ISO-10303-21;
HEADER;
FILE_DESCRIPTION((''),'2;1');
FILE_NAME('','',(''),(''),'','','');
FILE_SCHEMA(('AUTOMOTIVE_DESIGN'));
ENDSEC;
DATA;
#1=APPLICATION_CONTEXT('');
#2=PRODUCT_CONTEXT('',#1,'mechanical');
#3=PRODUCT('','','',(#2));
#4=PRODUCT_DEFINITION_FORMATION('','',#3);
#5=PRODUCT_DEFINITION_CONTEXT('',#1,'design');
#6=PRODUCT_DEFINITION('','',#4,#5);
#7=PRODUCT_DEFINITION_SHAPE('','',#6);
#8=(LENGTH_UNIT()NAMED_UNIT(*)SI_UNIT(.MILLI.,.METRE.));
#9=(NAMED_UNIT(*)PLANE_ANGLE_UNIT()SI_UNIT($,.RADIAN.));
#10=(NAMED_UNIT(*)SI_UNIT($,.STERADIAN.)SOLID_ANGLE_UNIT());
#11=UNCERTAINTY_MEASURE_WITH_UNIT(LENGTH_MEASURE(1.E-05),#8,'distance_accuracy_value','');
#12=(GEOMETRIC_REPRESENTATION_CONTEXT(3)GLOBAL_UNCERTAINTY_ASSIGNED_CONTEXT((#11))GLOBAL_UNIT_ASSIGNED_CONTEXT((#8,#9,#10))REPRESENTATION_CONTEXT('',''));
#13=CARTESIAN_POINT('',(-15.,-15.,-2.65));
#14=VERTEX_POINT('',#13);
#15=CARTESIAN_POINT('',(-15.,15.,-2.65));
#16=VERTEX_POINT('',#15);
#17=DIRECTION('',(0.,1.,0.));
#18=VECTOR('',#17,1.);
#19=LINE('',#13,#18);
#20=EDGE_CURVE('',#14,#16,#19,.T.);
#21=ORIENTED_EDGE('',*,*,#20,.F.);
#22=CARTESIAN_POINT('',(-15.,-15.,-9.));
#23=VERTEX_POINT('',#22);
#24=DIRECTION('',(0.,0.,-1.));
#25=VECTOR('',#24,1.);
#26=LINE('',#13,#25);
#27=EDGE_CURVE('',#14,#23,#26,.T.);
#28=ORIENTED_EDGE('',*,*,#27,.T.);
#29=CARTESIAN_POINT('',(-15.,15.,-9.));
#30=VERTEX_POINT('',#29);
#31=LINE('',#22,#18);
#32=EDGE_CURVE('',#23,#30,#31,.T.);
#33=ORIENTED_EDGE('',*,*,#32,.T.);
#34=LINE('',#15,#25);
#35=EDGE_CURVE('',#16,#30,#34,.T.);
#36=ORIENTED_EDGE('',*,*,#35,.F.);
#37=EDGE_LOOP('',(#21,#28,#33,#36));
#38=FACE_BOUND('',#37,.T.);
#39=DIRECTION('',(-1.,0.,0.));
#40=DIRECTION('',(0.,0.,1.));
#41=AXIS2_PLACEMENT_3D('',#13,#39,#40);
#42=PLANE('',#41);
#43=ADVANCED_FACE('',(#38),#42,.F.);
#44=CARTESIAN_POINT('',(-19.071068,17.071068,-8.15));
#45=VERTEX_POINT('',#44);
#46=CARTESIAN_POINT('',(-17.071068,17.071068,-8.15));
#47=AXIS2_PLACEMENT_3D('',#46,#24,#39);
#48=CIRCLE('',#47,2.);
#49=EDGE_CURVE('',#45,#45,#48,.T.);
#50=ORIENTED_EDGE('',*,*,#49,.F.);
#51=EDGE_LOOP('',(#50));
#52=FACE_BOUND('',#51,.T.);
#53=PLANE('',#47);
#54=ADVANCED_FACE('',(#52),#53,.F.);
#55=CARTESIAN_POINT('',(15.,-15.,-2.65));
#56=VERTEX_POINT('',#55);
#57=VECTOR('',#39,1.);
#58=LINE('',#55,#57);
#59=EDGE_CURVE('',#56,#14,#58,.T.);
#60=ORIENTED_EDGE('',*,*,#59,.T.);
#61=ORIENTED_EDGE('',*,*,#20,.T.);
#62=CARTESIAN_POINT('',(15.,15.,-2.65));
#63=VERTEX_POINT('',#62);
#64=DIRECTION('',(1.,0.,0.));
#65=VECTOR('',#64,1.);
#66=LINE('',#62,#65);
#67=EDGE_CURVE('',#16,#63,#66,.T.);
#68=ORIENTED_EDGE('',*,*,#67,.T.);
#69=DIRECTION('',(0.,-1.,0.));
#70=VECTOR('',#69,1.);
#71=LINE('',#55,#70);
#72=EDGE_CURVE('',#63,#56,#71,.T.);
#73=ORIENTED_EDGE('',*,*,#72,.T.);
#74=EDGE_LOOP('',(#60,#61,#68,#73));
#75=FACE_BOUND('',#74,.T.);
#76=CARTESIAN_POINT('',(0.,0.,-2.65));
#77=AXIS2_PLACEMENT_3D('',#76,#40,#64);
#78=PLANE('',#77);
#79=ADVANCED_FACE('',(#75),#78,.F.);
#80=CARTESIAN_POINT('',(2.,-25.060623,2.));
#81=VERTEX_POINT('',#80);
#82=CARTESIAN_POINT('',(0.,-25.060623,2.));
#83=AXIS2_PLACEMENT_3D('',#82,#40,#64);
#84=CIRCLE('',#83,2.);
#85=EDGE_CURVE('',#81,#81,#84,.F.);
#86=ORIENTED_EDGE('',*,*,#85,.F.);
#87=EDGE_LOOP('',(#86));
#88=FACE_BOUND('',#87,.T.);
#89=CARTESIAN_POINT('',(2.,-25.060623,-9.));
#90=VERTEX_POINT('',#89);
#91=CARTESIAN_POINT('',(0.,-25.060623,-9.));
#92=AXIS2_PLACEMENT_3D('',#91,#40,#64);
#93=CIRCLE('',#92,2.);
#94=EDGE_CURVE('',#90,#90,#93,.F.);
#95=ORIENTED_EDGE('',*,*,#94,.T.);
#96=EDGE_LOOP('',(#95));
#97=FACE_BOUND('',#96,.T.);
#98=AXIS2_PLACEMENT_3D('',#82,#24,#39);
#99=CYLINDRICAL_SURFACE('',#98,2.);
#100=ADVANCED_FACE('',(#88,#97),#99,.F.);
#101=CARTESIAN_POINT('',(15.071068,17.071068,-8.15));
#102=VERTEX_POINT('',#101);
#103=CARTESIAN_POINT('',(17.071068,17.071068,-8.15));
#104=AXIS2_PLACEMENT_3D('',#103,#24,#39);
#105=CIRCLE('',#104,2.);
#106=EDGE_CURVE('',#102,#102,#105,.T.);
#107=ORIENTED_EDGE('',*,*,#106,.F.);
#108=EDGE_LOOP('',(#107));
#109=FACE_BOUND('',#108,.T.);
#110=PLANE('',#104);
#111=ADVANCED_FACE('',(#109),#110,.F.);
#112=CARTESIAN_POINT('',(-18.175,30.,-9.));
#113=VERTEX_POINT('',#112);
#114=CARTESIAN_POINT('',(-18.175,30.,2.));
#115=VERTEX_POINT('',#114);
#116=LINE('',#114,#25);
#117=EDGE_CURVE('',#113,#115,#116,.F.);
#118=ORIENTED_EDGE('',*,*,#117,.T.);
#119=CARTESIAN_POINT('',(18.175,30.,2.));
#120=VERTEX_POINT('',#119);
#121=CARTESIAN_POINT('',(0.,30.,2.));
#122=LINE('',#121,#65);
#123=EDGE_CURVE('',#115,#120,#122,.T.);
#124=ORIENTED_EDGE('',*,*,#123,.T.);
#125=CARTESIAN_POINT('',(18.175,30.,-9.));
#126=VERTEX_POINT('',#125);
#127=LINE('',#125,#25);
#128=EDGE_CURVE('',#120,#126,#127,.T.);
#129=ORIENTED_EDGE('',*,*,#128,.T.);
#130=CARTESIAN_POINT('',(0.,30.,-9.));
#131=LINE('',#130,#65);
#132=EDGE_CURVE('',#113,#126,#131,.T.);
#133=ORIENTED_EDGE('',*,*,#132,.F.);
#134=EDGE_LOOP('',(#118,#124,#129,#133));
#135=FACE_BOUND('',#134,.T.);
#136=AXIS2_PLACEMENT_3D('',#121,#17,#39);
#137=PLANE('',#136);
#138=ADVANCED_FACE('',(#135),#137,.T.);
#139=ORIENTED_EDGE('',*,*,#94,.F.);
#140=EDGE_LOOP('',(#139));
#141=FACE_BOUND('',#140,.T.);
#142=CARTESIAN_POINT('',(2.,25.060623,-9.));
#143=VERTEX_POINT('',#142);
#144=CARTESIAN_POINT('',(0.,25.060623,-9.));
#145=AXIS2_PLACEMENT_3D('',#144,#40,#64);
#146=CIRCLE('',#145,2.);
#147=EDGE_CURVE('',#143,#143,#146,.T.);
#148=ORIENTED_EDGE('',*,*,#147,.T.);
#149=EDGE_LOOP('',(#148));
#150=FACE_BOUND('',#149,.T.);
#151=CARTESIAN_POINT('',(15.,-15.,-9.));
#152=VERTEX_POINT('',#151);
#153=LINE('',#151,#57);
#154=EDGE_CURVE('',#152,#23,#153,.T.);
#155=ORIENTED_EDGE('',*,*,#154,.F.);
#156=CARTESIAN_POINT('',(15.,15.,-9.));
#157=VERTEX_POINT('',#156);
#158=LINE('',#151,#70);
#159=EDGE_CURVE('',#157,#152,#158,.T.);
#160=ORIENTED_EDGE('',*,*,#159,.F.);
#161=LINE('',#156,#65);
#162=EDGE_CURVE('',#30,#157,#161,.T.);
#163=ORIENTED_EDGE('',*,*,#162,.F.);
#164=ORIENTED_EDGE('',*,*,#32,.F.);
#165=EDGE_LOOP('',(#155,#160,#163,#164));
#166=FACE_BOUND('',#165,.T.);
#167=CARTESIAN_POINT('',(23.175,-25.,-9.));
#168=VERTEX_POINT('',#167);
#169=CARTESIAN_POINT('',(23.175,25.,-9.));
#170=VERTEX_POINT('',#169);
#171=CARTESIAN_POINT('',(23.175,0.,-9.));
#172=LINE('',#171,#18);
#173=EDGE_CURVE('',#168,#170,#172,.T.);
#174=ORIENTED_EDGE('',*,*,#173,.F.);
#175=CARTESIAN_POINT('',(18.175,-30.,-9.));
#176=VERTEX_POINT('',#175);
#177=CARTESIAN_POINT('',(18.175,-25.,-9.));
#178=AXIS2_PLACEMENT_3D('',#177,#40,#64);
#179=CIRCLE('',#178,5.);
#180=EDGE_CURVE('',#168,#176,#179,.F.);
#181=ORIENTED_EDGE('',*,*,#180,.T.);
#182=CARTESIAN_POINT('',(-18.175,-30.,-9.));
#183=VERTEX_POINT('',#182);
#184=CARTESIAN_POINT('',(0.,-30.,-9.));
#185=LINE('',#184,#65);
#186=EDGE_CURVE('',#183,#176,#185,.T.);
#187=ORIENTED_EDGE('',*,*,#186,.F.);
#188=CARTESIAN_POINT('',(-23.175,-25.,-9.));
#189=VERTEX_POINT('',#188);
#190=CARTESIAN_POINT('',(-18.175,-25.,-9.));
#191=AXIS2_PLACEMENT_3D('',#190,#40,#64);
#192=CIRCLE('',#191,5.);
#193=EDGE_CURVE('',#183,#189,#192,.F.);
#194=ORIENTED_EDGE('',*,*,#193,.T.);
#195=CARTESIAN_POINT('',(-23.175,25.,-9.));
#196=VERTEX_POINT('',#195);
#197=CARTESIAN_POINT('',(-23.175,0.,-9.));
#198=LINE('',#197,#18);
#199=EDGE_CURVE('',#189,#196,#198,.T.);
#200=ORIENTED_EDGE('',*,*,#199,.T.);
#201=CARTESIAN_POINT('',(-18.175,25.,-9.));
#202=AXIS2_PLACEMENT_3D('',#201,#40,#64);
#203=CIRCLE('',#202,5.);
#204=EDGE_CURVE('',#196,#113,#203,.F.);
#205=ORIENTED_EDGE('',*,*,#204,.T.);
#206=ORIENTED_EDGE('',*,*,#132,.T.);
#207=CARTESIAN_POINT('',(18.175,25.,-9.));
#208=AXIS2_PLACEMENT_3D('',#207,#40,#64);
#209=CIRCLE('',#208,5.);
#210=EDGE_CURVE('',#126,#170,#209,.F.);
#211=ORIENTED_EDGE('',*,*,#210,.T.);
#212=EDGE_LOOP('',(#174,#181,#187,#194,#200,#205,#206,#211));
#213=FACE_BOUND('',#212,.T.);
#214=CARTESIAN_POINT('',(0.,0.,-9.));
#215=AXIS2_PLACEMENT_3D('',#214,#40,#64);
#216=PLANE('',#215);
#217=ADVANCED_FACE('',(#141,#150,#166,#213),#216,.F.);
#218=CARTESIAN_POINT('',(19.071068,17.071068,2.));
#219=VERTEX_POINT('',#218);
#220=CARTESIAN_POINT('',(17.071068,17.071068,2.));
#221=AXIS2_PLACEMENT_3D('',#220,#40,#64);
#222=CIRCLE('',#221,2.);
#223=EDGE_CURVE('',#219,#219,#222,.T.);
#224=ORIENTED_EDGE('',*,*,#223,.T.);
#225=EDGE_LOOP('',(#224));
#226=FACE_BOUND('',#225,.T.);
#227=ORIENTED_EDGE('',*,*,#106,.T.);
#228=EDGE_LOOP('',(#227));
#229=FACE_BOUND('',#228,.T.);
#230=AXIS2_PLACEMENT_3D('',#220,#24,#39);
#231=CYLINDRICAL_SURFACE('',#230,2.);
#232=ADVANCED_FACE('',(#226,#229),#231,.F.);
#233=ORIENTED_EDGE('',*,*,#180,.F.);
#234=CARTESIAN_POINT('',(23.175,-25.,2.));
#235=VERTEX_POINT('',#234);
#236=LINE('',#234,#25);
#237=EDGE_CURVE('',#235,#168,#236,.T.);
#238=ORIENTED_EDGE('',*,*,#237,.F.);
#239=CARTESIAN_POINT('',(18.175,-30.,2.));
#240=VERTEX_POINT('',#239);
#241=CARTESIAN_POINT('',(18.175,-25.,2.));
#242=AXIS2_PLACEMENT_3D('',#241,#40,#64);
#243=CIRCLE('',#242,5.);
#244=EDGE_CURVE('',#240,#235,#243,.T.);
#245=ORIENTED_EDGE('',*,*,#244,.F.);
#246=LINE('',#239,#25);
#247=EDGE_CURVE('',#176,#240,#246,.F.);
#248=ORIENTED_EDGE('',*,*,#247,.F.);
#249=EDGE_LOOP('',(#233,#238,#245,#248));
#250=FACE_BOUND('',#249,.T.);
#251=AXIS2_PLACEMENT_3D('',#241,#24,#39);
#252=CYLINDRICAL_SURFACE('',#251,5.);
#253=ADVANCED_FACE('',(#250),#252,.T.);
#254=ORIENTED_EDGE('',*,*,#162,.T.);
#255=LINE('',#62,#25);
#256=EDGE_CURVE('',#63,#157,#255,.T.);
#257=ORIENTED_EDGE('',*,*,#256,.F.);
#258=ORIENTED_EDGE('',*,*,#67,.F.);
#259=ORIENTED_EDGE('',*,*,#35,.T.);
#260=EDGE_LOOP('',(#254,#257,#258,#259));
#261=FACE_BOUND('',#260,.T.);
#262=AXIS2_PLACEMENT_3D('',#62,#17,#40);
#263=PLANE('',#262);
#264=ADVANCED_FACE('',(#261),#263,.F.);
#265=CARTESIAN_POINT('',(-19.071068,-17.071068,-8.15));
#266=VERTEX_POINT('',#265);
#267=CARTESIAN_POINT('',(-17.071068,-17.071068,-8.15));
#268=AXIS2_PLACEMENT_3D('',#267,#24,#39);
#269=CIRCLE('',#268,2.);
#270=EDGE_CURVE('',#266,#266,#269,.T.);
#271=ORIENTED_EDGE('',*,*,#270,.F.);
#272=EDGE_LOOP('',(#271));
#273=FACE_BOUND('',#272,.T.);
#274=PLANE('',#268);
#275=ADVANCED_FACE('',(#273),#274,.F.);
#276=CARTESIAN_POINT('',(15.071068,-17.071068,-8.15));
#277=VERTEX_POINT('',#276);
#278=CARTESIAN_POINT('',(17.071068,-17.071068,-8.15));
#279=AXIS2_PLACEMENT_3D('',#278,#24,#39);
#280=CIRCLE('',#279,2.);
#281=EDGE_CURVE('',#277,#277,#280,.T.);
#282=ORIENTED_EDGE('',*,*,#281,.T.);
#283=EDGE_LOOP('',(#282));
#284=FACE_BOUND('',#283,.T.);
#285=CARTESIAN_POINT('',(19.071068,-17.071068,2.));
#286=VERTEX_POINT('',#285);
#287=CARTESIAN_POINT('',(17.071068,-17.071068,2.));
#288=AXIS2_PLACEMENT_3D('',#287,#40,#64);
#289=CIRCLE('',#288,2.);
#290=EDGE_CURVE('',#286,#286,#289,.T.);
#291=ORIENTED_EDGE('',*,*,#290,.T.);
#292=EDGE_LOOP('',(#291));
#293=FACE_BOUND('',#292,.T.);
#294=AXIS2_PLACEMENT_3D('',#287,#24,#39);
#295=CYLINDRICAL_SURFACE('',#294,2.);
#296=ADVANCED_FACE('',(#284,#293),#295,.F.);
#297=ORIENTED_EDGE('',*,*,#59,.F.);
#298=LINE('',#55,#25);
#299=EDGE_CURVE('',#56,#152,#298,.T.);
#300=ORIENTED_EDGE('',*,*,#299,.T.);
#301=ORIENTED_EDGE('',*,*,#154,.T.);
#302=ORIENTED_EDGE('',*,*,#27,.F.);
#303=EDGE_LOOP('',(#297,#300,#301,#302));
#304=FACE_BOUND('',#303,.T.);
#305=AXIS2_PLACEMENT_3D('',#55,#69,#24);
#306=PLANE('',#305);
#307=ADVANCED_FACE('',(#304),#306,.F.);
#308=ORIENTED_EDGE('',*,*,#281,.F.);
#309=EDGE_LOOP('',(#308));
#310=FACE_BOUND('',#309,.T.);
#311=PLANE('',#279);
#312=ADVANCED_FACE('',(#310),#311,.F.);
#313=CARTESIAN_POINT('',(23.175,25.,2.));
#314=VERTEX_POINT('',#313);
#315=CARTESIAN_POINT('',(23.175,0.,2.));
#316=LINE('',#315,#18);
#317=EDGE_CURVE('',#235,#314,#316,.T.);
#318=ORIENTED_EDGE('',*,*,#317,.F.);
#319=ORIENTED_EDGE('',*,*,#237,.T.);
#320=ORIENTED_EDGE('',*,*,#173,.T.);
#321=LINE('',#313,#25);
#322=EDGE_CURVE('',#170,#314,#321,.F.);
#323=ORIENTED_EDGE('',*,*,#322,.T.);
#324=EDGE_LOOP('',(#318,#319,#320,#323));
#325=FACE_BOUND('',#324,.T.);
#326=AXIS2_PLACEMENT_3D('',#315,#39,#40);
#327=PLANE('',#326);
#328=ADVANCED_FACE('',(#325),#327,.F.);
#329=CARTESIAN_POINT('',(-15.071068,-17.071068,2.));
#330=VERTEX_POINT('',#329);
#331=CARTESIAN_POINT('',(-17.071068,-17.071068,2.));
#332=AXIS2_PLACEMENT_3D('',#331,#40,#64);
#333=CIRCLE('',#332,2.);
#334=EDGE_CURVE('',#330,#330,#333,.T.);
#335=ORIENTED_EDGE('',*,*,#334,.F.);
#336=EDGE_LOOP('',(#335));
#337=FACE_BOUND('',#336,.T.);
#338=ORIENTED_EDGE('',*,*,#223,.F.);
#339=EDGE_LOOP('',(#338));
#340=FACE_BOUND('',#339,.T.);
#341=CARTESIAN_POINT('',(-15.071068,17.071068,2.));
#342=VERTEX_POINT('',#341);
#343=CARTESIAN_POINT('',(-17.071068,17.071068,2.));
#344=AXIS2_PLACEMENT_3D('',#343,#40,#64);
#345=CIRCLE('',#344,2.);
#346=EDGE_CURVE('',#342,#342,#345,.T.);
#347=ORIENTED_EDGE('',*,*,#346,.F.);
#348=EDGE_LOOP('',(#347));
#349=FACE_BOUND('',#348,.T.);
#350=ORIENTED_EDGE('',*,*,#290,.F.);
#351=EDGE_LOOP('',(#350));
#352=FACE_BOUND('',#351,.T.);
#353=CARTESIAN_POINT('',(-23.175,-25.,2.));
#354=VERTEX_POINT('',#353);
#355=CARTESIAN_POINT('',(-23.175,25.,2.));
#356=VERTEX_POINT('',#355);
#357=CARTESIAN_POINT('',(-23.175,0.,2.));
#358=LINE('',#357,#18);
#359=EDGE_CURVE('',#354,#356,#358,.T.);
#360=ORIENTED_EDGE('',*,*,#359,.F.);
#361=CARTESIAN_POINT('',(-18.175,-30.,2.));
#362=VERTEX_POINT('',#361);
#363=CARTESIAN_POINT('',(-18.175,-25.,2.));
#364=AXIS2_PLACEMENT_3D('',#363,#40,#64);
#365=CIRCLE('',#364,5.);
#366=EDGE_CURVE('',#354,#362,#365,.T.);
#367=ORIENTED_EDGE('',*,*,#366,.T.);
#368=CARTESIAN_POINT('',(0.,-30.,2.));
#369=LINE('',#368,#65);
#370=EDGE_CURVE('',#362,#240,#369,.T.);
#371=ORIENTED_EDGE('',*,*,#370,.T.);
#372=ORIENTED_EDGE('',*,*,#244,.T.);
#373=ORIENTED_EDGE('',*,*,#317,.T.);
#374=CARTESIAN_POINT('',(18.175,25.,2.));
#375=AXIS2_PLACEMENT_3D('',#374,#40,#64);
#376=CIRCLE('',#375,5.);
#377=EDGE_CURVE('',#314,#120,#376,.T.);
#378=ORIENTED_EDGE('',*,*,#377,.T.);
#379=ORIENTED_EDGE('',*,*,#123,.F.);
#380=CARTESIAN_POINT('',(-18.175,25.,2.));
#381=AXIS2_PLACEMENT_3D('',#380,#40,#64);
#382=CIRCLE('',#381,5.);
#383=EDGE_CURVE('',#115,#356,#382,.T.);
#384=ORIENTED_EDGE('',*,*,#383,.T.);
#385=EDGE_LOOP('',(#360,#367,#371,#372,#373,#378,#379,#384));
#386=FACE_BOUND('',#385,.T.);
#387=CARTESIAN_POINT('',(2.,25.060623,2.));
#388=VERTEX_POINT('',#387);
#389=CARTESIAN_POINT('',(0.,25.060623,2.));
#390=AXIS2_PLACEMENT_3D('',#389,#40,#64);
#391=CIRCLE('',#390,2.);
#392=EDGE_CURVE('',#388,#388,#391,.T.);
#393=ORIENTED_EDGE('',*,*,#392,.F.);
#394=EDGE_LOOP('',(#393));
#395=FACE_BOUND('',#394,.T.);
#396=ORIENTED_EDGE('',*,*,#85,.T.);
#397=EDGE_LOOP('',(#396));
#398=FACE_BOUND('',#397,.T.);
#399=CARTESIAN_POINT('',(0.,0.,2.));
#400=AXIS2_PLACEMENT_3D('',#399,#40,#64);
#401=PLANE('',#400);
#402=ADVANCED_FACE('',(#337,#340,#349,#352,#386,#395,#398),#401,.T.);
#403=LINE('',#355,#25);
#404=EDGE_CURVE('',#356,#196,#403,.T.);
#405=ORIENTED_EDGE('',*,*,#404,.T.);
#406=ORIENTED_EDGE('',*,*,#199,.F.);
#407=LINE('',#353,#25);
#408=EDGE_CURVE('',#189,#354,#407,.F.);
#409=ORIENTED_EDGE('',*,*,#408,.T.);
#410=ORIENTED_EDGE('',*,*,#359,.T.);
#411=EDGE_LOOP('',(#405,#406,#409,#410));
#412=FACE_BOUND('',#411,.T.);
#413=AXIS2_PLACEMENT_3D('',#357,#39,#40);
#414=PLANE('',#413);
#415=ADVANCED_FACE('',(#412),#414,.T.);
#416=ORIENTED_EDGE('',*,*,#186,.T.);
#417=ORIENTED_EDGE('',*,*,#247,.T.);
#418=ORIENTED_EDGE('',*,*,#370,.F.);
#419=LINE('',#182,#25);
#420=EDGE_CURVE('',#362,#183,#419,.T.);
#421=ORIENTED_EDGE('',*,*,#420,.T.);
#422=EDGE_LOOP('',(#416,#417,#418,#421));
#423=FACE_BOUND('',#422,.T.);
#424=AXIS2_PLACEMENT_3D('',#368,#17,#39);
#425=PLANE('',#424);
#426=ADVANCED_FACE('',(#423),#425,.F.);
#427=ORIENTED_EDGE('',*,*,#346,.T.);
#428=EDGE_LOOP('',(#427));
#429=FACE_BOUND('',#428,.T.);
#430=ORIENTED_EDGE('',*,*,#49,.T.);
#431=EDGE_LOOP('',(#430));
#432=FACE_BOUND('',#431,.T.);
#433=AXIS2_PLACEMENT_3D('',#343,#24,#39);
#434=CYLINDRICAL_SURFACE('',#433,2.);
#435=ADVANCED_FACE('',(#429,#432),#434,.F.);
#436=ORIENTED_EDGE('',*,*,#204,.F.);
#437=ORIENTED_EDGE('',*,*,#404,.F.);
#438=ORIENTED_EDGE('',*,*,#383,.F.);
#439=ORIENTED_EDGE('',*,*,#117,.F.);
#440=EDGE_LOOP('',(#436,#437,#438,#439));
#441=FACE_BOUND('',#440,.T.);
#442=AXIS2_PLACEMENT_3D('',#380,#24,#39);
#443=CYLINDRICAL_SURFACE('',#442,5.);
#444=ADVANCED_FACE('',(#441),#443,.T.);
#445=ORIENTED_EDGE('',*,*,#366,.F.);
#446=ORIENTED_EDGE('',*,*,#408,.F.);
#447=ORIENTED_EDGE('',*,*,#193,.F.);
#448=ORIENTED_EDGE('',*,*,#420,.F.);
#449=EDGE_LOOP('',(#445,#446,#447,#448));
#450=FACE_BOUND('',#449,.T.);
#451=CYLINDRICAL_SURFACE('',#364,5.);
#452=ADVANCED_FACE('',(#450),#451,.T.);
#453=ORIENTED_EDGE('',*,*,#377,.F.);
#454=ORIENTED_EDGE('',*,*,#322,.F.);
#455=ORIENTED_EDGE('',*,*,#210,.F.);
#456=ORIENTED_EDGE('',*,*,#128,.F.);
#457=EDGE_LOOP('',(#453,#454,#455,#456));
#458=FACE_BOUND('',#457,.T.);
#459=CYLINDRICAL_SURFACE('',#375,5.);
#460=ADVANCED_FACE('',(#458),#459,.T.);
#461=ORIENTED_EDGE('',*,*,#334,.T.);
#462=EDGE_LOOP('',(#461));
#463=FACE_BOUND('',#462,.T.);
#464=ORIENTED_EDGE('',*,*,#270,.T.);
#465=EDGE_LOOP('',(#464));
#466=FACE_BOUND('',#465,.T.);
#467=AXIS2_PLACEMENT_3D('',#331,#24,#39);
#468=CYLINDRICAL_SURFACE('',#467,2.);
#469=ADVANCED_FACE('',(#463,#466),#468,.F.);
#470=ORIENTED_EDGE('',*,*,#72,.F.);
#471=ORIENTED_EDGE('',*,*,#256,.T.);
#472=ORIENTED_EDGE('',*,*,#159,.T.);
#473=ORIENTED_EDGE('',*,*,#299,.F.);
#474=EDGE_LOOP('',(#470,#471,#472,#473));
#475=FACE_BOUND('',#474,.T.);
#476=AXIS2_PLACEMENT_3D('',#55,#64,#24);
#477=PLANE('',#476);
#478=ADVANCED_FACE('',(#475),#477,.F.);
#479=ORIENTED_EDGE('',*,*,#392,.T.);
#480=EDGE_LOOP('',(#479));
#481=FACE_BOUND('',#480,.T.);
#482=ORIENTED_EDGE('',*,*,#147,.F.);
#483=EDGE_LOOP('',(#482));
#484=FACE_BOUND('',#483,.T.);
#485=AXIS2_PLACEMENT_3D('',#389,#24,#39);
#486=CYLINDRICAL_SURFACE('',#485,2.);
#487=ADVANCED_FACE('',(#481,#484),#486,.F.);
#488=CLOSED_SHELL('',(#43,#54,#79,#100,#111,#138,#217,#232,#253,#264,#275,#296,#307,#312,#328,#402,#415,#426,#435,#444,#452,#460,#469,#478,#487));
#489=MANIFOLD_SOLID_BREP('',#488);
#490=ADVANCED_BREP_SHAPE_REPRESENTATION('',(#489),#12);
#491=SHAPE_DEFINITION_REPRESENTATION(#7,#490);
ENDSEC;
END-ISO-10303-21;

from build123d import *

# Parameters (mm, degrees)
BOSS_EXTRUDE1_DEPTH      = 2
BOSS_EXTRUDE1_DEPTH_BACK = 9
SKETCH1_W                = 46.35
SKETCH1_H                = 60
SKETCH1_R                = 2
SKETCH2_W                = 30
SKETCH2_H                = 30
CUT_EXTRUDE1_DEPTH       = 6.35
SKETCH4_R                = 2
BOSS_EXTRUDE4_DEPTH      = 0.85
FILLET1_R                = 5


with BuildPart() as part:
    # Sketch1 → Boss-Extrude1 (new, two sides: drawn at the far end of the back side and taken through both)
    with BuildSketch(Plane.XY.offset(-BOSS_EXTRUDE1_DEPTH_BACK)):
        Rectangle(SKETCH1_W, SKETCH1_H)
        with Locations((-17.071067812, 17.071067812)):
            Circle(SKETCH1_R, mode=Mode.SUBTRACT)
        with Locations((-17.071067812, -17.071067812)):
            Circle(SKETCH1_R, mode=Mode.SUBTRACT)
        with Locations((17.071067812, -17.071067812)):
            Circle(SKETCH1_R, mode=Mode.SUBTRACT)
        with Locations((17.071067812, 17.071067812)):
            Circle(SKETCH1_R, mode=Mode.SUBTRACT)
        with Locations((0, 25.060622825)):
            Circle(SKETCH1_R, mode=Mode.SUBTRACT)
        with Locations((0, -25.060622825)):
            Circle(SKETCH1_R, mode=Mode.SUBTRACT)
    extrude(amount=BOSS_EXTRUDE1_DEPTH + BOSS_EXTRUDE1_DEPTH_BACK)

    # Sketch2 → Cut-Extrude1 (cut)
    with BuildSketch(Plane(origin=(0, 0, -9), x_dir=(-1, 0, 0), z_dir=(0, 0, -1))):
        Rectangle(SKETCH2_W, SKETCH2_H)
    extrude(amount=-CUT_EXTRUDE1_DEPTH, mode=Mode.SUBTRACT)

    # Sketch4 → Boss-Extrude4 (add)
    with BuildSketch(Plane(origin=(0, 0, -9), x_dir=(-1, 0, 0), z_dir=(0, 0, -1))):
        with Locations((-17.071067812, 17.071067812)):
            Circle(SKETCH4_R)
        with Locations((17.071067812, 17.071067812)):
            Circle(SKETCH4_R)
        with Locations((-17.071067812, -17.071067812)):
            Circle(SKETCH4_R)
        with Locations((17.071067812, -17.071067812)):
            Circle(SKETCH4_R)
    extrude(amount=-BOSS_EXTRUDE4_DEPTH)

    # Fillet1
    fillet1_edges = [part.edges().sort_by_distance(p)[0] for p in [
        (-23.175, -30, -3.5),
        (-23.175, 30, -3.5),
        (23.175, 30, -3.5),
        (23.175, -30, -3.5),
    ]]
    fillet(fillet1_edges, radius=FILLET1_R)


solid = part.part
